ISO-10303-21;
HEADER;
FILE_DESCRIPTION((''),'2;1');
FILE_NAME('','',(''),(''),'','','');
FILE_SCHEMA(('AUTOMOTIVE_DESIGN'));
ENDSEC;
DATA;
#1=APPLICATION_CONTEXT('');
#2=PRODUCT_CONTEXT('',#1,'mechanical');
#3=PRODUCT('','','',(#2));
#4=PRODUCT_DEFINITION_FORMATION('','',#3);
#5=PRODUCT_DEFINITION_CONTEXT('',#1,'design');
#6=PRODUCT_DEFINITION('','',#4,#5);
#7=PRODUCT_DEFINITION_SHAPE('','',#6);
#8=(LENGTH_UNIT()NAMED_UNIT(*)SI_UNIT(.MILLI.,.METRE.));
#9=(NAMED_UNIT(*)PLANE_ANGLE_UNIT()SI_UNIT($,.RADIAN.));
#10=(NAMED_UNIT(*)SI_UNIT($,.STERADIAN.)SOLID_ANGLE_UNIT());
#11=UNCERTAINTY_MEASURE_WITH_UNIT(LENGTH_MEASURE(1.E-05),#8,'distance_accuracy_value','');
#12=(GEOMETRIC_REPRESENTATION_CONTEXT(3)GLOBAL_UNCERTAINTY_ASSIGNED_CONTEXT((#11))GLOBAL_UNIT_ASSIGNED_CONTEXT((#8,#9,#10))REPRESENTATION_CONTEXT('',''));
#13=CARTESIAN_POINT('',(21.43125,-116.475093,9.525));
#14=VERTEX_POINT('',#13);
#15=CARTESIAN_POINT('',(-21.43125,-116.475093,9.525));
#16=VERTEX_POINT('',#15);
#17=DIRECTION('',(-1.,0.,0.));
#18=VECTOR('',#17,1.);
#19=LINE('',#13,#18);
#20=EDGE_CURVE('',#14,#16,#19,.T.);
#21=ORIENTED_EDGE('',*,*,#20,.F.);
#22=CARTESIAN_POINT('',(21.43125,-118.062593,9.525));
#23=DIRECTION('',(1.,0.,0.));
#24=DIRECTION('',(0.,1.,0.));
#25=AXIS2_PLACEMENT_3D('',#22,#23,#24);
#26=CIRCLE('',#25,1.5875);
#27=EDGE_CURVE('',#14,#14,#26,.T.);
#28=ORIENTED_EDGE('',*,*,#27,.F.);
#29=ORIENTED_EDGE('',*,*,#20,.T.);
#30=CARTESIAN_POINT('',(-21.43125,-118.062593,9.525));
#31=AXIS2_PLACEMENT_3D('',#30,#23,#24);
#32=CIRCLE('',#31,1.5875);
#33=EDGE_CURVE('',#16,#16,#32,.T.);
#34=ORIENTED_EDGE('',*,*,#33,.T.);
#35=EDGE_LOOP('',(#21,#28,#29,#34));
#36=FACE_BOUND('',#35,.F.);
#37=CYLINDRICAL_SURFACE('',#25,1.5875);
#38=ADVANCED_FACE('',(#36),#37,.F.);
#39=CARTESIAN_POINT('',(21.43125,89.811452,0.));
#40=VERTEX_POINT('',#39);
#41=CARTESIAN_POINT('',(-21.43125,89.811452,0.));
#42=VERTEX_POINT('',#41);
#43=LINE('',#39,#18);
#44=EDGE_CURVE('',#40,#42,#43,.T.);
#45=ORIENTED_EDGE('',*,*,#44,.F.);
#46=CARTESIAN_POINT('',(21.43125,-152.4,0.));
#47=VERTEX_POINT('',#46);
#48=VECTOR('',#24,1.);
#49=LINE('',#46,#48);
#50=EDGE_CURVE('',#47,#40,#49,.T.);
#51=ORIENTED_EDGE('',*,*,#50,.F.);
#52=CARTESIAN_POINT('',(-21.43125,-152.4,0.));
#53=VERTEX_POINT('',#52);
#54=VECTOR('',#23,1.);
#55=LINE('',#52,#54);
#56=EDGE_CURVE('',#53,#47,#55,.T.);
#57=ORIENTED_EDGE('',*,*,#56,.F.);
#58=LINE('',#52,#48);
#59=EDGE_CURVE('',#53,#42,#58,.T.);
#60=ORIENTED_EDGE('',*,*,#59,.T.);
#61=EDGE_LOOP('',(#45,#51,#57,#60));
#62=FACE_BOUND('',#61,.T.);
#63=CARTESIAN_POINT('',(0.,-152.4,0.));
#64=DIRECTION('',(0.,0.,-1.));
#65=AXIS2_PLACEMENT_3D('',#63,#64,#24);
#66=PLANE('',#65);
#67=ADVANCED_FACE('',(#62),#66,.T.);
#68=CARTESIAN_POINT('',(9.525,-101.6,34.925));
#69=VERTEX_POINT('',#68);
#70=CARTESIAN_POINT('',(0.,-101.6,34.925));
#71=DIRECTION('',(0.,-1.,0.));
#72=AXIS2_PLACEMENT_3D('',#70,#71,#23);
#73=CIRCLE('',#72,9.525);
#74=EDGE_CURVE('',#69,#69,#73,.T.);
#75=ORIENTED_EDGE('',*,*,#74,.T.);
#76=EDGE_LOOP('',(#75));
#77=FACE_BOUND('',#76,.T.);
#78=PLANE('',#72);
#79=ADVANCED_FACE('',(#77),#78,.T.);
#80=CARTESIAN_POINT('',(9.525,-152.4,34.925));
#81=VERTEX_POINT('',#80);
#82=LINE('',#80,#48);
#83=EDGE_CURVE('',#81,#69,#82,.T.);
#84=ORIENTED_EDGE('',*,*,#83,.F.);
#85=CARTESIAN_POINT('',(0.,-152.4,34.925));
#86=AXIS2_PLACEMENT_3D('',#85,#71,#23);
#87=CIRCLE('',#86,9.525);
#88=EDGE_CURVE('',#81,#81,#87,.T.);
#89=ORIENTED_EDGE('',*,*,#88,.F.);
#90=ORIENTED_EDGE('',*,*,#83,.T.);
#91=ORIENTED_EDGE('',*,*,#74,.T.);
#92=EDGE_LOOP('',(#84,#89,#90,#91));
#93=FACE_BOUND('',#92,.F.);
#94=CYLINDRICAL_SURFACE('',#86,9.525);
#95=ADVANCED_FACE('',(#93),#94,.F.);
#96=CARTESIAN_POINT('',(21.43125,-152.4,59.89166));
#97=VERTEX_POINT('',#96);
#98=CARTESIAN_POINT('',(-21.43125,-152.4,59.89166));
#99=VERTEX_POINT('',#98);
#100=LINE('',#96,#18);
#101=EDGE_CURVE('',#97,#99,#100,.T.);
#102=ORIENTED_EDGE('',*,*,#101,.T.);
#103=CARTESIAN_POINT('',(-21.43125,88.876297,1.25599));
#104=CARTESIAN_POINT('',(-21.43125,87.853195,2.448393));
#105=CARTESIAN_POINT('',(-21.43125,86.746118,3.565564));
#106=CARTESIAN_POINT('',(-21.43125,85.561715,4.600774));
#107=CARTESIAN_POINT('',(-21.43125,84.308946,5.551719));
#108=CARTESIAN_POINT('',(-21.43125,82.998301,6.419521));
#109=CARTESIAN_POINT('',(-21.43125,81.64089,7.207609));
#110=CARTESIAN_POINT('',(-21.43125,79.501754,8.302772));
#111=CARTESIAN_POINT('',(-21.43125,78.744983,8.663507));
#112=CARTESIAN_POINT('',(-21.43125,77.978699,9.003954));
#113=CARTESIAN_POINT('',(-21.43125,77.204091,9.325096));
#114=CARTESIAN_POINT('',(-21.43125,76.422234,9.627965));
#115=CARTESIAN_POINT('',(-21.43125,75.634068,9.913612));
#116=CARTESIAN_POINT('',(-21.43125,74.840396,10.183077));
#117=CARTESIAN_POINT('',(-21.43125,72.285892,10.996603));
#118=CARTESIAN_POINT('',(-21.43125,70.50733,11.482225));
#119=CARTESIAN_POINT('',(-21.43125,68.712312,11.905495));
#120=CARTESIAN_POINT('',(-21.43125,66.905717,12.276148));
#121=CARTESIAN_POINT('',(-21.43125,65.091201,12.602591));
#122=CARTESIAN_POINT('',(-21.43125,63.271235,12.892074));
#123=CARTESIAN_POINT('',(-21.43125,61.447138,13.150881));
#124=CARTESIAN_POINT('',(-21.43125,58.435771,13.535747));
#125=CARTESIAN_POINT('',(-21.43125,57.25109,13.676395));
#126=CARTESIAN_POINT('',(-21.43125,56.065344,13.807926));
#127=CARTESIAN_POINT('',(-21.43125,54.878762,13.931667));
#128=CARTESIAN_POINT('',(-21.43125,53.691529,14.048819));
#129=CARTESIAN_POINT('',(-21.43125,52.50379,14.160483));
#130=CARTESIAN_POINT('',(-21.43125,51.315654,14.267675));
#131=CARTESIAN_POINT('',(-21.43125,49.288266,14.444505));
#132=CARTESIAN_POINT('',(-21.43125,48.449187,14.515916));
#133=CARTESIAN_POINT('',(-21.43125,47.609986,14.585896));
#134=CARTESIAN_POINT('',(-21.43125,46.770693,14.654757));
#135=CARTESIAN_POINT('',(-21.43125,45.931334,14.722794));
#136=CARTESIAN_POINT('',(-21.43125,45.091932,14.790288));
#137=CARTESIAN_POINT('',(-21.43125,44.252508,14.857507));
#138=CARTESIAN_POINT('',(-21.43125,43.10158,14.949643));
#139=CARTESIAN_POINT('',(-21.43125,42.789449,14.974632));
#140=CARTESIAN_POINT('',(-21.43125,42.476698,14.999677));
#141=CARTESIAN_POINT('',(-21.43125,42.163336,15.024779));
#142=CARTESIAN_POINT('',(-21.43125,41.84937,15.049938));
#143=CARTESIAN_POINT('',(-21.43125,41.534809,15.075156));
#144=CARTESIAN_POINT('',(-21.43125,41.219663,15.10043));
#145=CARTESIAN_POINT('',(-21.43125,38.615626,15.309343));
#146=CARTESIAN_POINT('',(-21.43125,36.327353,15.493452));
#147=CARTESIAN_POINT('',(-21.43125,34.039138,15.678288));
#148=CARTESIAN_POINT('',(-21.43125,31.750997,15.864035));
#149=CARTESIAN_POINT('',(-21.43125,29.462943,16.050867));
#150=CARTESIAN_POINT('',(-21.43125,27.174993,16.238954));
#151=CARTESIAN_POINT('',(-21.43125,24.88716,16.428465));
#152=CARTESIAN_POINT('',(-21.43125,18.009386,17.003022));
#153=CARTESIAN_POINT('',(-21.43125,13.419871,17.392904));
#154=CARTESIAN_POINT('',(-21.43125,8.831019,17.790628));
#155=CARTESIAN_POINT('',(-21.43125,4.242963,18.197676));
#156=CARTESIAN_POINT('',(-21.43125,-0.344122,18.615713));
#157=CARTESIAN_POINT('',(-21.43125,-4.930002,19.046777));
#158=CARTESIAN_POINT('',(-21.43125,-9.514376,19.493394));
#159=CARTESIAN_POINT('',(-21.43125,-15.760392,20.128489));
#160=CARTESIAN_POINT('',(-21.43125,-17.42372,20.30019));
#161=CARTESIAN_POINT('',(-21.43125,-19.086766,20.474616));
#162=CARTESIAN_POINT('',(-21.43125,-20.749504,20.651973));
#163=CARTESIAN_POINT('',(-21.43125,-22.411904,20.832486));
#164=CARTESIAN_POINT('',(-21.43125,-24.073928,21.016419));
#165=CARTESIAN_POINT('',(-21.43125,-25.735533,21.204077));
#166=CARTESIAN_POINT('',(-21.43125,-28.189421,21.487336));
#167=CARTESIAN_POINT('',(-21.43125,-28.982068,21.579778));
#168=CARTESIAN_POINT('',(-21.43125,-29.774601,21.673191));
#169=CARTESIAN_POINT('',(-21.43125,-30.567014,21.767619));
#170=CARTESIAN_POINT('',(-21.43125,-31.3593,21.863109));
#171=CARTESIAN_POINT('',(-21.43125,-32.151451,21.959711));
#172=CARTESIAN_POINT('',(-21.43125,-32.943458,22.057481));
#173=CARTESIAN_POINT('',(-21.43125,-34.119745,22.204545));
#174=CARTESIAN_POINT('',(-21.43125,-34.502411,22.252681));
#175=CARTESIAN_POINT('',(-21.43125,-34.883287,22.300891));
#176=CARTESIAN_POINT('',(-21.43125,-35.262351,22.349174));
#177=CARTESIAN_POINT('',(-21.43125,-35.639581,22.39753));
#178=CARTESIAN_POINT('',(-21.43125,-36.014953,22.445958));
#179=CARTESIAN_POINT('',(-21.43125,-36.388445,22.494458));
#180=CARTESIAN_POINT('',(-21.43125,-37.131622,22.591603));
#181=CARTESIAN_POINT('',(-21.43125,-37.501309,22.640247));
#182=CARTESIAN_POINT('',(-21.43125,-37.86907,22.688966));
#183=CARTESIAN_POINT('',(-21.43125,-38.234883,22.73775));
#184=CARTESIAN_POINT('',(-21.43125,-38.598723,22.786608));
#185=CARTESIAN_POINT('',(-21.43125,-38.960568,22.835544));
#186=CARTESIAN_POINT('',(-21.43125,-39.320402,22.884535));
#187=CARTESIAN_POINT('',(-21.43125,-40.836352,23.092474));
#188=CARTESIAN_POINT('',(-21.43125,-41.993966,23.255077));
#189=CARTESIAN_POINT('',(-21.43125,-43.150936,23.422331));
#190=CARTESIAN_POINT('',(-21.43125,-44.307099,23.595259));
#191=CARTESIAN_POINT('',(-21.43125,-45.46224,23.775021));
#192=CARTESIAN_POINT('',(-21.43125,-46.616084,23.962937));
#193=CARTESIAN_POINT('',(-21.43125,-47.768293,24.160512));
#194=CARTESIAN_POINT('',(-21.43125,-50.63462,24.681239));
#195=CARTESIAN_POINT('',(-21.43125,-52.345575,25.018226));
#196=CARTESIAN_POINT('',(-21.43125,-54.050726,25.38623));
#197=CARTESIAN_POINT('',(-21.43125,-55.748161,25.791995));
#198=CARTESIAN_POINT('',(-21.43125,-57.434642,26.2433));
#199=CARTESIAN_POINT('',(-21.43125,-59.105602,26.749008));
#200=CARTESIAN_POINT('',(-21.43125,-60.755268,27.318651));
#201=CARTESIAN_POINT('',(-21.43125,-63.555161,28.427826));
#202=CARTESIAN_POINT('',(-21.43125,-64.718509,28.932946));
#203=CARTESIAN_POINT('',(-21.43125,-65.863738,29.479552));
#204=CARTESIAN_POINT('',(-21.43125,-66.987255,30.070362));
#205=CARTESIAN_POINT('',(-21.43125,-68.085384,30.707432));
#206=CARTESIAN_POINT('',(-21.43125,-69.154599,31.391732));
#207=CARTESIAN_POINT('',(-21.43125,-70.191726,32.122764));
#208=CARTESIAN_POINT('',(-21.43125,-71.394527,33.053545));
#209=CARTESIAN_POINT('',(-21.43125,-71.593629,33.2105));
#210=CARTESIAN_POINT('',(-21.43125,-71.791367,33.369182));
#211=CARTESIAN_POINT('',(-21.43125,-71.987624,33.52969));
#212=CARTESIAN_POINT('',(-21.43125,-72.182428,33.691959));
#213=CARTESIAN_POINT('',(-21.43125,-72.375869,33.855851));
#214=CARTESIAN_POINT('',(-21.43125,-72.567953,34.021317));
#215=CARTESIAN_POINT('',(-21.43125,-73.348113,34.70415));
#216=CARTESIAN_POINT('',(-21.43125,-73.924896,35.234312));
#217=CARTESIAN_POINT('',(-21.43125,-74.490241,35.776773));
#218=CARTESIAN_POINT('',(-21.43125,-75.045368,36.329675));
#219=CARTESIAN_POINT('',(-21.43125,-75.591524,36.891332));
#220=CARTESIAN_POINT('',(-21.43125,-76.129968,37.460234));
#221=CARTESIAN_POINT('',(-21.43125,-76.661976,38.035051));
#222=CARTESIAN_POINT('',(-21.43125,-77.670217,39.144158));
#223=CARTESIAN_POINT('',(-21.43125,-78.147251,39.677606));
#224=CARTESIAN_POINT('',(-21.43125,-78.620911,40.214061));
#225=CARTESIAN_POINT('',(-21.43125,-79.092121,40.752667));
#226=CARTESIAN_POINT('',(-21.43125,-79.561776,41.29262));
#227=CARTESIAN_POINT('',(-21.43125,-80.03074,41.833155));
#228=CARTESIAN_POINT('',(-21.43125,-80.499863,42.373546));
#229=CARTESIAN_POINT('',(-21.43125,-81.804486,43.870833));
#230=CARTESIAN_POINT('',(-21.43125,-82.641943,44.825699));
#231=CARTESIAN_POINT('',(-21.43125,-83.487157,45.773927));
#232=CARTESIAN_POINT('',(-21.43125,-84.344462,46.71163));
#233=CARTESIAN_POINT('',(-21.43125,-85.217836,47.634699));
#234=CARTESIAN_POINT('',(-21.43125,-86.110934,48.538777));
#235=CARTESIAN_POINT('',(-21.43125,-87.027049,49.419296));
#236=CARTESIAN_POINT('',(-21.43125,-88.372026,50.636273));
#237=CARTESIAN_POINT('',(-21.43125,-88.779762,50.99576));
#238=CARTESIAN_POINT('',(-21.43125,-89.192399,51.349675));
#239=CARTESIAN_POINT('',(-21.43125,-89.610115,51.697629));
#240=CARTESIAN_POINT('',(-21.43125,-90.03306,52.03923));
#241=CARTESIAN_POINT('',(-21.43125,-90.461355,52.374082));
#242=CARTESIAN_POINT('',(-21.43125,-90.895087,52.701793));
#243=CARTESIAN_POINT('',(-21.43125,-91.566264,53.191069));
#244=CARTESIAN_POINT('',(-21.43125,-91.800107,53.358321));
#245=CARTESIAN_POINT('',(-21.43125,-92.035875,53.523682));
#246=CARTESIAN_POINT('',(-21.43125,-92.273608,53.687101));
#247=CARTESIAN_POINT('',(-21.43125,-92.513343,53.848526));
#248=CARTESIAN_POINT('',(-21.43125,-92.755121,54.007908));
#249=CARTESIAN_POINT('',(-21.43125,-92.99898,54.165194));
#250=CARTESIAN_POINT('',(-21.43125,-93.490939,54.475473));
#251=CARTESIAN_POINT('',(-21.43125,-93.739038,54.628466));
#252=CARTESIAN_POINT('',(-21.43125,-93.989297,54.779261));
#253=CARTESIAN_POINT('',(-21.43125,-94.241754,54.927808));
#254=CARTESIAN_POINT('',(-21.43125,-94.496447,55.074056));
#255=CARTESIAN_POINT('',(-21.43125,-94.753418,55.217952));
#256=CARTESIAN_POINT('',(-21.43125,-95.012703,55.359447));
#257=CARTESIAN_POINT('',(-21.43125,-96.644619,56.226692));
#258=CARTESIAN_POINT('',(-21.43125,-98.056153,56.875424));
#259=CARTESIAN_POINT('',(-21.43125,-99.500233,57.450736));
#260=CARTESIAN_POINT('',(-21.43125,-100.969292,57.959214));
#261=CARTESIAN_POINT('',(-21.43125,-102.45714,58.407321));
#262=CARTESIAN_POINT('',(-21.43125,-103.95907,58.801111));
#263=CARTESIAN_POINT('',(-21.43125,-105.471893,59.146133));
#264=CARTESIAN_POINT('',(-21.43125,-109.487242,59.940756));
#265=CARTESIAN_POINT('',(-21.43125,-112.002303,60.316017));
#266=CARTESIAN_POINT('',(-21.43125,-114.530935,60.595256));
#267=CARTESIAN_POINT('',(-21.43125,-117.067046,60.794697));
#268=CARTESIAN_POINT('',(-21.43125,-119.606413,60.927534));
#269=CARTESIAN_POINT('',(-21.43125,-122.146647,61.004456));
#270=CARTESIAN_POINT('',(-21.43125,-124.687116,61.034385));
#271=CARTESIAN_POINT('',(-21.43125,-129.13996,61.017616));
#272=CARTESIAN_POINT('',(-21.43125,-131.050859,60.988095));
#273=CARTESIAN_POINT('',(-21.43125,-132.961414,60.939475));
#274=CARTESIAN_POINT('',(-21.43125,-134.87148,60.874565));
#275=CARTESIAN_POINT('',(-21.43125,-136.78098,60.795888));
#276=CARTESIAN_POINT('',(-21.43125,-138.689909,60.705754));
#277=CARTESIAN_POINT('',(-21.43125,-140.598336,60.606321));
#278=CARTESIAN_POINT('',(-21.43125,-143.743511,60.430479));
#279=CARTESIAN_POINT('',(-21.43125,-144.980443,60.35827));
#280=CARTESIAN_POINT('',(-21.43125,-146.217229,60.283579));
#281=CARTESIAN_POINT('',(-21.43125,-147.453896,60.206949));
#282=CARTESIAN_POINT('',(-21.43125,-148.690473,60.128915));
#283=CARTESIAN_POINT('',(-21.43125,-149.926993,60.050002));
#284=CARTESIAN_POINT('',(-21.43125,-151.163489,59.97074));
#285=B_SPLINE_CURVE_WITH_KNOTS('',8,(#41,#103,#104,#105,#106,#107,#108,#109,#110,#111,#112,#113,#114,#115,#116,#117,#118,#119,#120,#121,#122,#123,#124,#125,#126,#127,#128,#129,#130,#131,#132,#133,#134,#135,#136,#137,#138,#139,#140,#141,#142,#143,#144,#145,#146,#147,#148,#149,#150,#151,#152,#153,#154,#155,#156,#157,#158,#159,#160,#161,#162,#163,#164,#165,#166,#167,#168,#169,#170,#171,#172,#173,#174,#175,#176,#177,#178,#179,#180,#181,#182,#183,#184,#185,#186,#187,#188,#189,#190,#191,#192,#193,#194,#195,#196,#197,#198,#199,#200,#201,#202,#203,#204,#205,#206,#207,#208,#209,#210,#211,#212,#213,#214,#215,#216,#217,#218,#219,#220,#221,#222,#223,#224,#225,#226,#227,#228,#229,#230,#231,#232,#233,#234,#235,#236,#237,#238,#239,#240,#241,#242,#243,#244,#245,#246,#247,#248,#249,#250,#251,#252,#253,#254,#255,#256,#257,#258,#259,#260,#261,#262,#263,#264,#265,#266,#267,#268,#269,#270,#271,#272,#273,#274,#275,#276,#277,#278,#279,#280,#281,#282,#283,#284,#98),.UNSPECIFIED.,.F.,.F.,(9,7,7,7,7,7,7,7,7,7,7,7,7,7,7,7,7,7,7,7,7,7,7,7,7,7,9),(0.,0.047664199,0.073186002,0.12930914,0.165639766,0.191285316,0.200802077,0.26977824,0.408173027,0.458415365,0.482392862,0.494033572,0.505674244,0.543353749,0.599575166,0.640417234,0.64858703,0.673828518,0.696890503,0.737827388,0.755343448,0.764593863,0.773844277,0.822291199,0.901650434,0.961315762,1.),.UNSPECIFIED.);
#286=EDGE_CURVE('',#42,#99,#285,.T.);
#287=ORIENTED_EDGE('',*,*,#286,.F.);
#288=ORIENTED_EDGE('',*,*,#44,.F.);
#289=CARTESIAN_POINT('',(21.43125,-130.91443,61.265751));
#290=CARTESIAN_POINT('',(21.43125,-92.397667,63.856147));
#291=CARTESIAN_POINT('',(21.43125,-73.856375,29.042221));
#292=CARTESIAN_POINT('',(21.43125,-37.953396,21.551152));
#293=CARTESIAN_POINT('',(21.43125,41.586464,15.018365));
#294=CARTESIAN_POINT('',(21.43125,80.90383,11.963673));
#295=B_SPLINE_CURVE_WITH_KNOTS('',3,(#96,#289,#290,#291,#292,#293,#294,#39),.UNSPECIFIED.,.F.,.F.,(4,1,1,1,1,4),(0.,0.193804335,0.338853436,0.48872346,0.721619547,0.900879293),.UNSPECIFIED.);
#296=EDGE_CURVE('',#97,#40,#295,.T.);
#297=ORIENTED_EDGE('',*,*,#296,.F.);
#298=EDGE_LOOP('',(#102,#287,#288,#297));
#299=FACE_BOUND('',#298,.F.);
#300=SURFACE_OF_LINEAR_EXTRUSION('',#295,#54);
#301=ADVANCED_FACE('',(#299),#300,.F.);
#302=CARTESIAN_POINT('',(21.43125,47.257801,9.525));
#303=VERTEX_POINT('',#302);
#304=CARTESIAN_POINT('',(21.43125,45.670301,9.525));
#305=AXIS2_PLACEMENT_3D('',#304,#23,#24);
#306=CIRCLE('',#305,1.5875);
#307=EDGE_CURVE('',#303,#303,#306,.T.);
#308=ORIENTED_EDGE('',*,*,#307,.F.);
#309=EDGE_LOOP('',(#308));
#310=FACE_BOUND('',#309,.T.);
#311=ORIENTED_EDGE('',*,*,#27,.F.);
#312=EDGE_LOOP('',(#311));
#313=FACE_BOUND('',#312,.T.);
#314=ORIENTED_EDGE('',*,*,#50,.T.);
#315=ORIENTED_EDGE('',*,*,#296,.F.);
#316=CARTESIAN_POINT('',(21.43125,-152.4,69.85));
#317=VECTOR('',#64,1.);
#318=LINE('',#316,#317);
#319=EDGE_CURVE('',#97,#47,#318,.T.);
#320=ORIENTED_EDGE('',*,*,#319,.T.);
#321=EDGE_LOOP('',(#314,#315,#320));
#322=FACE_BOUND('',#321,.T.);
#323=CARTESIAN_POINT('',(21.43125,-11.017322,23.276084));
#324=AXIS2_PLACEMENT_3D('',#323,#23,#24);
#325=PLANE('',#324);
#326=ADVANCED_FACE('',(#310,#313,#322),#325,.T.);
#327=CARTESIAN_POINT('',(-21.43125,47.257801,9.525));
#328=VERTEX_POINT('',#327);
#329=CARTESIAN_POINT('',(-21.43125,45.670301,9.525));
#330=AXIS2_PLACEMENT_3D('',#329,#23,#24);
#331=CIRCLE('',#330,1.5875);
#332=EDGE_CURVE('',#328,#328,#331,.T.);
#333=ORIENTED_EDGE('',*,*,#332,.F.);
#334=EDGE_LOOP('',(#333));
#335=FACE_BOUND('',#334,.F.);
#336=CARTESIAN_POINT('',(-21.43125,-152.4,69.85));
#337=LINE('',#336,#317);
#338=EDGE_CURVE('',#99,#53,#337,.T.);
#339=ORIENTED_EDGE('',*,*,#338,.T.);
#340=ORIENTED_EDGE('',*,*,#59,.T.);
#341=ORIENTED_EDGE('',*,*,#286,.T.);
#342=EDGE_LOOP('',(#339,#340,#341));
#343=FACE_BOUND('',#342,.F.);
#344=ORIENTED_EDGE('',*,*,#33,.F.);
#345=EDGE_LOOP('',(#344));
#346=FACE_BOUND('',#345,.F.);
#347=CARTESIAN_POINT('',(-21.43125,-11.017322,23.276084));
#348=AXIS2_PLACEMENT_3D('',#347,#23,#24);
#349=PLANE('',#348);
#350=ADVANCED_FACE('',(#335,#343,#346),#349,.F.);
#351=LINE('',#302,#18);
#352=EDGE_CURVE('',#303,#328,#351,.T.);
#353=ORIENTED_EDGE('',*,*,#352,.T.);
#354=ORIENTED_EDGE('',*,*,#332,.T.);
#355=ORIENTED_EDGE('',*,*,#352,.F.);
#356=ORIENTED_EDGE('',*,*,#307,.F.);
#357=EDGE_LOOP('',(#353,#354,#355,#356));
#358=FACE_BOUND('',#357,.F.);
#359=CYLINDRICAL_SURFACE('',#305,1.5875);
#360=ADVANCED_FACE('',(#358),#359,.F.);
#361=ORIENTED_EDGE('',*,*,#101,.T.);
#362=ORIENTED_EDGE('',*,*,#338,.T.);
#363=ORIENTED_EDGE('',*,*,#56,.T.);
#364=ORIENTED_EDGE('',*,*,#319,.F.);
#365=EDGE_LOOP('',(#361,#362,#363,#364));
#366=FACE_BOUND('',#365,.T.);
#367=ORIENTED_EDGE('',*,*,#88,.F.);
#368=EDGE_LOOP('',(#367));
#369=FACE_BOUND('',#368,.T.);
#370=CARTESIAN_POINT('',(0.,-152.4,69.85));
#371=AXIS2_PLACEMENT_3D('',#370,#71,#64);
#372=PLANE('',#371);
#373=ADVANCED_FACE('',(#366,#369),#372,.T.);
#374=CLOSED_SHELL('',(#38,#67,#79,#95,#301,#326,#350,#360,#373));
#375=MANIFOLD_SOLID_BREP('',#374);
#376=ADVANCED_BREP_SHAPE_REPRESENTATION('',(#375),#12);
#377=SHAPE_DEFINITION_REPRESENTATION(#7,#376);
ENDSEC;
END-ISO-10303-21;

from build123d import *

# Parameters (mm, degrees)
F1_DEPTH = 21.43125
F2_R     = 9.525
F3_DEPTH = 50.8
F4_R     = 1.5875
F5_DEPTH = 42.8635


with BuildPart() as f1:
    # F0 (on Right) → F1 (new body, symmetric)
    with BuildSketch(Plane.YZ):
        Polygon((-152.4, 69.85), (-152.4, 0), (152.4, 0), (152.4, 19.05), align=None)
    extrude(amount=F1_DEPTH, both=True)

    # F2 (on face) → F3 (cut)
    with BuildSketch(Plane.XZ.offset(152.4)):
        with Locations((0, 34.925)):
            Circle(F2_R)
    extrude(amount=-F3_DEPTH, mode=Mode.SUBTRACT)

    # F4 (on face) → F5 (intersect, through all)
    with BuildSketch(Plane.YZ.offset(21.43125)):
        with BuildLine():
            add(Edge.make_bspline(
                [(-152.4, 59.8916597664), (-130.9144296082, 61.2657508415), (-92.3976667916, 63.8561474475), (-73.8563754206, 29.0422208261), (-37.9533960618, 21.5511524571), (41.586464074, 15.0183648964), (80.9038296317, 11.9636732436), (89.8114517331, 0)],
                knots=[0, 0, 0, 0, 0.1938043349, 0.3388534363, 0.4887234603, 0.7216195473, 0.9008792926, 0.9008792926, 0.9008792926, 0.9008792926], degree=3))
            Line((-152.4, 59.8916597664), (-152.4, 0))
            Line((-152.4, 0), (89.8114517331, 0))
        make_face()
        with Locations((-118.0625930429, 9.525)):
            Circle(F4_R, mode=Mode.SUBTRACT)
        with Locations((45.6703007221, 9.525)):
            Circle(F4_R, mode=Mode.SUBTRACT)
    extrude(amount=-F5_DEPTH, mode=Mode.INTERSECT)


solid = f1.part
